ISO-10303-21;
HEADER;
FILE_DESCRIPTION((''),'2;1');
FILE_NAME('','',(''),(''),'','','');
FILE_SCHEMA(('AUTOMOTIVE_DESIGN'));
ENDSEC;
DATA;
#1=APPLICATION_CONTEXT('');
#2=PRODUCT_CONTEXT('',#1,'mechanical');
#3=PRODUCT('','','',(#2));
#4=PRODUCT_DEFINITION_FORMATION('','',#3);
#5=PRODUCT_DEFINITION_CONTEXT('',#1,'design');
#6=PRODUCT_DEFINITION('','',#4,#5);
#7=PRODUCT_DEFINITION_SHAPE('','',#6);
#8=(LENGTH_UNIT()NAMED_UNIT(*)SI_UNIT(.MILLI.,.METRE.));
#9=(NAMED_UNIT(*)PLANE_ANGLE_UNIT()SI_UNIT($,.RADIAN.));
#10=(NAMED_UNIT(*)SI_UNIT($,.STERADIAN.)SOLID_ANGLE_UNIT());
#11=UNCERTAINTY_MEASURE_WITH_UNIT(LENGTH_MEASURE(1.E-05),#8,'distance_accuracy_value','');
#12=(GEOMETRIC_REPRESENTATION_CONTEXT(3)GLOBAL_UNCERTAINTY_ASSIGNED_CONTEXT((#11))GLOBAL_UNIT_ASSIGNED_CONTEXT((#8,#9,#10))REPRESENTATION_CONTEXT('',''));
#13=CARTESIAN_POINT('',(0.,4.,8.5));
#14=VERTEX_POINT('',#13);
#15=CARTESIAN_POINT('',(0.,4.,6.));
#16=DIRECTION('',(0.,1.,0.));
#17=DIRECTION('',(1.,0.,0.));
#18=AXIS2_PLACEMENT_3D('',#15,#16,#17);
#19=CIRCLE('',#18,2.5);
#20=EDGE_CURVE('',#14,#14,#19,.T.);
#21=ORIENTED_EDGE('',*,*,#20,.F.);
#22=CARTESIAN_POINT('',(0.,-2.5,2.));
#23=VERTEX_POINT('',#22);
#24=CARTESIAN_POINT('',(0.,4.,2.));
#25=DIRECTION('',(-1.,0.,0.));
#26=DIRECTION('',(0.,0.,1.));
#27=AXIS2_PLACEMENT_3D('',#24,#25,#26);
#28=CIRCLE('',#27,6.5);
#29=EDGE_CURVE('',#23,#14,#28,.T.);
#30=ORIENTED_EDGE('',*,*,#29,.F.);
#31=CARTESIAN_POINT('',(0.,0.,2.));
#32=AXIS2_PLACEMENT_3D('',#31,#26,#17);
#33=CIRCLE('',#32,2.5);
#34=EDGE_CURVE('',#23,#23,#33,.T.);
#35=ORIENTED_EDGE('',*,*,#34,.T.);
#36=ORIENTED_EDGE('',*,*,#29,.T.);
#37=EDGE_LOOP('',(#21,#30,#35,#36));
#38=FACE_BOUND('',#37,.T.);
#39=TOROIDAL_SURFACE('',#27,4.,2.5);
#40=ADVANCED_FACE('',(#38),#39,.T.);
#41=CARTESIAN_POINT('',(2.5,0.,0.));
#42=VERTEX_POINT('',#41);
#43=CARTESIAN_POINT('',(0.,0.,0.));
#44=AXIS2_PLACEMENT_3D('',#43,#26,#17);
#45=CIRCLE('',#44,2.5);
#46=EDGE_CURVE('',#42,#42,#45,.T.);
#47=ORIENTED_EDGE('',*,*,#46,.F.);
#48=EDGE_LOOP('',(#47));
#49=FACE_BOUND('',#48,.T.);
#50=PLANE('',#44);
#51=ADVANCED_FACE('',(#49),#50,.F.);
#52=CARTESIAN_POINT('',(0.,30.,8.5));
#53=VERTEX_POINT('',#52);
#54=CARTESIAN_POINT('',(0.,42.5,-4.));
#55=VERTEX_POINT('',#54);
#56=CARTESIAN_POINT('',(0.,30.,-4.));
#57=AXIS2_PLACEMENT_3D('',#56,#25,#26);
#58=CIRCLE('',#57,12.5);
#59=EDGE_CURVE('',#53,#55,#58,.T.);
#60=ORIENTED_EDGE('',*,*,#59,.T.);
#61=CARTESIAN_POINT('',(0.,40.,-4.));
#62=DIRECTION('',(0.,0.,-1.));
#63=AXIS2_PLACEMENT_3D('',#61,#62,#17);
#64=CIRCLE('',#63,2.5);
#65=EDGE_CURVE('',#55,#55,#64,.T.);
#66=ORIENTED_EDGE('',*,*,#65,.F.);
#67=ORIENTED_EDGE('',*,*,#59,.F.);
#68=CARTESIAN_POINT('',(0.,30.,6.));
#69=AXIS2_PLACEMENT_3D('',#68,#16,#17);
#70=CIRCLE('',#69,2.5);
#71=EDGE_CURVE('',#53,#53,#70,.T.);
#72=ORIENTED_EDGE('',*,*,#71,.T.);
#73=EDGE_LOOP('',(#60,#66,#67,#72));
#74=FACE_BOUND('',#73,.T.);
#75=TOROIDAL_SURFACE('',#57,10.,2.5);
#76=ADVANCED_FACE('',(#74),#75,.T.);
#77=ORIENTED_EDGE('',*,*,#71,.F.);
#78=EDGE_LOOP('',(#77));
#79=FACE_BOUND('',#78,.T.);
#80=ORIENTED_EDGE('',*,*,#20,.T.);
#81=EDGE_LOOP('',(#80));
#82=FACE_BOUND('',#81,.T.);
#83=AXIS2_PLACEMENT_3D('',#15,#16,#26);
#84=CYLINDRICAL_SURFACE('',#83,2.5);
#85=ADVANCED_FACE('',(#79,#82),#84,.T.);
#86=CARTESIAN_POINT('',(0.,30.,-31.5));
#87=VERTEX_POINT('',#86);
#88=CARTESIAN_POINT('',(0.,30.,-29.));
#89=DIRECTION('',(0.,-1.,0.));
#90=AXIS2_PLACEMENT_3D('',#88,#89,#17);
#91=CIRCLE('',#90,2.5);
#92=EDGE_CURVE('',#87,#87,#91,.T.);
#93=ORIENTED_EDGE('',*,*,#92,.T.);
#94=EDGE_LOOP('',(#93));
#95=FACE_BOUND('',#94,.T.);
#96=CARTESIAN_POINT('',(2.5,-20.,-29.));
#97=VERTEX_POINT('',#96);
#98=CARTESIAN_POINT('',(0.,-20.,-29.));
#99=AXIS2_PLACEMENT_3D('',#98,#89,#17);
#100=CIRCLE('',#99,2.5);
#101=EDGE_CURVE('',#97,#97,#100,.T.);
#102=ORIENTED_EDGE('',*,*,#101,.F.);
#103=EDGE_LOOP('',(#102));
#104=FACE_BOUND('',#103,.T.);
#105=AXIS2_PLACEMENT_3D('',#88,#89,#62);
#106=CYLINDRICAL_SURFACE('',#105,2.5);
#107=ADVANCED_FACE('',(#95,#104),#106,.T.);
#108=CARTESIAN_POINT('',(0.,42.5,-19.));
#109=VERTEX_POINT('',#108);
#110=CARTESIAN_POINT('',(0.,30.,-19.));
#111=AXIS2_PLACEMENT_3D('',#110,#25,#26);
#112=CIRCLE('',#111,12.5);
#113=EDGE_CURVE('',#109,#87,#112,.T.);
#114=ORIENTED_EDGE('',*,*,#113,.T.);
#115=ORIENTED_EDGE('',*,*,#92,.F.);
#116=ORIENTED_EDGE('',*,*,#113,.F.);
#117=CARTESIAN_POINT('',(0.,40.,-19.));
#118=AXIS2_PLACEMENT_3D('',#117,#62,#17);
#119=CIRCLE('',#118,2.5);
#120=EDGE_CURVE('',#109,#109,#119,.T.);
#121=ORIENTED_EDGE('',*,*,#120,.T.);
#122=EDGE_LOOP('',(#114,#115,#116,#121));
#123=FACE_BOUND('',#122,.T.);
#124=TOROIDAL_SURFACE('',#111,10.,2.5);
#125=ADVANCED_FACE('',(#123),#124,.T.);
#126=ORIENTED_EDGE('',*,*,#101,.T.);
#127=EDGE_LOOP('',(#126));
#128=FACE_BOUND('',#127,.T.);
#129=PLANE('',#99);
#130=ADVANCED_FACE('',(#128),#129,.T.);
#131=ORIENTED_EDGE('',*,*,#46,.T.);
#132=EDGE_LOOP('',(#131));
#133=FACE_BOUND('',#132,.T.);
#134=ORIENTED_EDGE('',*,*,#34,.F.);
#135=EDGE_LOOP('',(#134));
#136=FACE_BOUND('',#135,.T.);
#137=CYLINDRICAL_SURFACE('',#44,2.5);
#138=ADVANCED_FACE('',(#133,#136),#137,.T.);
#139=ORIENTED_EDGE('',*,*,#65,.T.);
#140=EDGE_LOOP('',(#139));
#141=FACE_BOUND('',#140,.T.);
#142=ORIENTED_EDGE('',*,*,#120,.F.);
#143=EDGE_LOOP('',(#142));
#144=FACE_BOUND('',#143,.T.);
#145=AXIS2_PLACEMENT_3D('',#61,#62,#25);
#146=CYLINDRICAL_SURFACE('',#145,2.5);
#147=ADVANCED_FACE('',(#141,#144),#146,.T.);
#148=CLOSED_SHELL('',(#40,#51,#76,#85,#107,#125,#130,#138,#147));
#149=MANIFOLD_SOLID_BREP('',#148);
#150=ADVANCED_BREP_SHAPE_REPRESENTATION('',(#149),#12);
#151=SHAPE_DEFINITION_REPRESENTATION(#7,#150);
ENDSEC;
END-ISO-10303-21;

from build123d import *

# Parameters (mm, degrees)
SKETCH2_R = 2.5


with BuildPart() as part:
    # Sweep1: sweep along a path in Sketch1
    with BuildLine(Plane(origin=(0, 0, 0), x_dir=(0, 0, -1), z_dir=(1, 0, 0))) as sweep1_path:
        Line((0, 0), (-2, 0))
        ThreePointArc((-2, 0), (-4.828427125, 1.171572875), (-6, 4))
        Line((-6, 4), (-6, 30))
        ThreePointArc((-6, 30), (-3.071067812, 37.071067812), (4, 40))
        Line((4, 40), (19, 40))
        ThreePointArc((19, 40), (26.071067812, 37.071067812), (29, 30))
        Line((29, 30), (29, -20))
    # Sketch2 → Sweep1 (sweep)
    with BuildSketch(Plane.XY):
        Circle(SKETCH2_R)
    sweep(path=sweep1_path.line)


solid = part.part
